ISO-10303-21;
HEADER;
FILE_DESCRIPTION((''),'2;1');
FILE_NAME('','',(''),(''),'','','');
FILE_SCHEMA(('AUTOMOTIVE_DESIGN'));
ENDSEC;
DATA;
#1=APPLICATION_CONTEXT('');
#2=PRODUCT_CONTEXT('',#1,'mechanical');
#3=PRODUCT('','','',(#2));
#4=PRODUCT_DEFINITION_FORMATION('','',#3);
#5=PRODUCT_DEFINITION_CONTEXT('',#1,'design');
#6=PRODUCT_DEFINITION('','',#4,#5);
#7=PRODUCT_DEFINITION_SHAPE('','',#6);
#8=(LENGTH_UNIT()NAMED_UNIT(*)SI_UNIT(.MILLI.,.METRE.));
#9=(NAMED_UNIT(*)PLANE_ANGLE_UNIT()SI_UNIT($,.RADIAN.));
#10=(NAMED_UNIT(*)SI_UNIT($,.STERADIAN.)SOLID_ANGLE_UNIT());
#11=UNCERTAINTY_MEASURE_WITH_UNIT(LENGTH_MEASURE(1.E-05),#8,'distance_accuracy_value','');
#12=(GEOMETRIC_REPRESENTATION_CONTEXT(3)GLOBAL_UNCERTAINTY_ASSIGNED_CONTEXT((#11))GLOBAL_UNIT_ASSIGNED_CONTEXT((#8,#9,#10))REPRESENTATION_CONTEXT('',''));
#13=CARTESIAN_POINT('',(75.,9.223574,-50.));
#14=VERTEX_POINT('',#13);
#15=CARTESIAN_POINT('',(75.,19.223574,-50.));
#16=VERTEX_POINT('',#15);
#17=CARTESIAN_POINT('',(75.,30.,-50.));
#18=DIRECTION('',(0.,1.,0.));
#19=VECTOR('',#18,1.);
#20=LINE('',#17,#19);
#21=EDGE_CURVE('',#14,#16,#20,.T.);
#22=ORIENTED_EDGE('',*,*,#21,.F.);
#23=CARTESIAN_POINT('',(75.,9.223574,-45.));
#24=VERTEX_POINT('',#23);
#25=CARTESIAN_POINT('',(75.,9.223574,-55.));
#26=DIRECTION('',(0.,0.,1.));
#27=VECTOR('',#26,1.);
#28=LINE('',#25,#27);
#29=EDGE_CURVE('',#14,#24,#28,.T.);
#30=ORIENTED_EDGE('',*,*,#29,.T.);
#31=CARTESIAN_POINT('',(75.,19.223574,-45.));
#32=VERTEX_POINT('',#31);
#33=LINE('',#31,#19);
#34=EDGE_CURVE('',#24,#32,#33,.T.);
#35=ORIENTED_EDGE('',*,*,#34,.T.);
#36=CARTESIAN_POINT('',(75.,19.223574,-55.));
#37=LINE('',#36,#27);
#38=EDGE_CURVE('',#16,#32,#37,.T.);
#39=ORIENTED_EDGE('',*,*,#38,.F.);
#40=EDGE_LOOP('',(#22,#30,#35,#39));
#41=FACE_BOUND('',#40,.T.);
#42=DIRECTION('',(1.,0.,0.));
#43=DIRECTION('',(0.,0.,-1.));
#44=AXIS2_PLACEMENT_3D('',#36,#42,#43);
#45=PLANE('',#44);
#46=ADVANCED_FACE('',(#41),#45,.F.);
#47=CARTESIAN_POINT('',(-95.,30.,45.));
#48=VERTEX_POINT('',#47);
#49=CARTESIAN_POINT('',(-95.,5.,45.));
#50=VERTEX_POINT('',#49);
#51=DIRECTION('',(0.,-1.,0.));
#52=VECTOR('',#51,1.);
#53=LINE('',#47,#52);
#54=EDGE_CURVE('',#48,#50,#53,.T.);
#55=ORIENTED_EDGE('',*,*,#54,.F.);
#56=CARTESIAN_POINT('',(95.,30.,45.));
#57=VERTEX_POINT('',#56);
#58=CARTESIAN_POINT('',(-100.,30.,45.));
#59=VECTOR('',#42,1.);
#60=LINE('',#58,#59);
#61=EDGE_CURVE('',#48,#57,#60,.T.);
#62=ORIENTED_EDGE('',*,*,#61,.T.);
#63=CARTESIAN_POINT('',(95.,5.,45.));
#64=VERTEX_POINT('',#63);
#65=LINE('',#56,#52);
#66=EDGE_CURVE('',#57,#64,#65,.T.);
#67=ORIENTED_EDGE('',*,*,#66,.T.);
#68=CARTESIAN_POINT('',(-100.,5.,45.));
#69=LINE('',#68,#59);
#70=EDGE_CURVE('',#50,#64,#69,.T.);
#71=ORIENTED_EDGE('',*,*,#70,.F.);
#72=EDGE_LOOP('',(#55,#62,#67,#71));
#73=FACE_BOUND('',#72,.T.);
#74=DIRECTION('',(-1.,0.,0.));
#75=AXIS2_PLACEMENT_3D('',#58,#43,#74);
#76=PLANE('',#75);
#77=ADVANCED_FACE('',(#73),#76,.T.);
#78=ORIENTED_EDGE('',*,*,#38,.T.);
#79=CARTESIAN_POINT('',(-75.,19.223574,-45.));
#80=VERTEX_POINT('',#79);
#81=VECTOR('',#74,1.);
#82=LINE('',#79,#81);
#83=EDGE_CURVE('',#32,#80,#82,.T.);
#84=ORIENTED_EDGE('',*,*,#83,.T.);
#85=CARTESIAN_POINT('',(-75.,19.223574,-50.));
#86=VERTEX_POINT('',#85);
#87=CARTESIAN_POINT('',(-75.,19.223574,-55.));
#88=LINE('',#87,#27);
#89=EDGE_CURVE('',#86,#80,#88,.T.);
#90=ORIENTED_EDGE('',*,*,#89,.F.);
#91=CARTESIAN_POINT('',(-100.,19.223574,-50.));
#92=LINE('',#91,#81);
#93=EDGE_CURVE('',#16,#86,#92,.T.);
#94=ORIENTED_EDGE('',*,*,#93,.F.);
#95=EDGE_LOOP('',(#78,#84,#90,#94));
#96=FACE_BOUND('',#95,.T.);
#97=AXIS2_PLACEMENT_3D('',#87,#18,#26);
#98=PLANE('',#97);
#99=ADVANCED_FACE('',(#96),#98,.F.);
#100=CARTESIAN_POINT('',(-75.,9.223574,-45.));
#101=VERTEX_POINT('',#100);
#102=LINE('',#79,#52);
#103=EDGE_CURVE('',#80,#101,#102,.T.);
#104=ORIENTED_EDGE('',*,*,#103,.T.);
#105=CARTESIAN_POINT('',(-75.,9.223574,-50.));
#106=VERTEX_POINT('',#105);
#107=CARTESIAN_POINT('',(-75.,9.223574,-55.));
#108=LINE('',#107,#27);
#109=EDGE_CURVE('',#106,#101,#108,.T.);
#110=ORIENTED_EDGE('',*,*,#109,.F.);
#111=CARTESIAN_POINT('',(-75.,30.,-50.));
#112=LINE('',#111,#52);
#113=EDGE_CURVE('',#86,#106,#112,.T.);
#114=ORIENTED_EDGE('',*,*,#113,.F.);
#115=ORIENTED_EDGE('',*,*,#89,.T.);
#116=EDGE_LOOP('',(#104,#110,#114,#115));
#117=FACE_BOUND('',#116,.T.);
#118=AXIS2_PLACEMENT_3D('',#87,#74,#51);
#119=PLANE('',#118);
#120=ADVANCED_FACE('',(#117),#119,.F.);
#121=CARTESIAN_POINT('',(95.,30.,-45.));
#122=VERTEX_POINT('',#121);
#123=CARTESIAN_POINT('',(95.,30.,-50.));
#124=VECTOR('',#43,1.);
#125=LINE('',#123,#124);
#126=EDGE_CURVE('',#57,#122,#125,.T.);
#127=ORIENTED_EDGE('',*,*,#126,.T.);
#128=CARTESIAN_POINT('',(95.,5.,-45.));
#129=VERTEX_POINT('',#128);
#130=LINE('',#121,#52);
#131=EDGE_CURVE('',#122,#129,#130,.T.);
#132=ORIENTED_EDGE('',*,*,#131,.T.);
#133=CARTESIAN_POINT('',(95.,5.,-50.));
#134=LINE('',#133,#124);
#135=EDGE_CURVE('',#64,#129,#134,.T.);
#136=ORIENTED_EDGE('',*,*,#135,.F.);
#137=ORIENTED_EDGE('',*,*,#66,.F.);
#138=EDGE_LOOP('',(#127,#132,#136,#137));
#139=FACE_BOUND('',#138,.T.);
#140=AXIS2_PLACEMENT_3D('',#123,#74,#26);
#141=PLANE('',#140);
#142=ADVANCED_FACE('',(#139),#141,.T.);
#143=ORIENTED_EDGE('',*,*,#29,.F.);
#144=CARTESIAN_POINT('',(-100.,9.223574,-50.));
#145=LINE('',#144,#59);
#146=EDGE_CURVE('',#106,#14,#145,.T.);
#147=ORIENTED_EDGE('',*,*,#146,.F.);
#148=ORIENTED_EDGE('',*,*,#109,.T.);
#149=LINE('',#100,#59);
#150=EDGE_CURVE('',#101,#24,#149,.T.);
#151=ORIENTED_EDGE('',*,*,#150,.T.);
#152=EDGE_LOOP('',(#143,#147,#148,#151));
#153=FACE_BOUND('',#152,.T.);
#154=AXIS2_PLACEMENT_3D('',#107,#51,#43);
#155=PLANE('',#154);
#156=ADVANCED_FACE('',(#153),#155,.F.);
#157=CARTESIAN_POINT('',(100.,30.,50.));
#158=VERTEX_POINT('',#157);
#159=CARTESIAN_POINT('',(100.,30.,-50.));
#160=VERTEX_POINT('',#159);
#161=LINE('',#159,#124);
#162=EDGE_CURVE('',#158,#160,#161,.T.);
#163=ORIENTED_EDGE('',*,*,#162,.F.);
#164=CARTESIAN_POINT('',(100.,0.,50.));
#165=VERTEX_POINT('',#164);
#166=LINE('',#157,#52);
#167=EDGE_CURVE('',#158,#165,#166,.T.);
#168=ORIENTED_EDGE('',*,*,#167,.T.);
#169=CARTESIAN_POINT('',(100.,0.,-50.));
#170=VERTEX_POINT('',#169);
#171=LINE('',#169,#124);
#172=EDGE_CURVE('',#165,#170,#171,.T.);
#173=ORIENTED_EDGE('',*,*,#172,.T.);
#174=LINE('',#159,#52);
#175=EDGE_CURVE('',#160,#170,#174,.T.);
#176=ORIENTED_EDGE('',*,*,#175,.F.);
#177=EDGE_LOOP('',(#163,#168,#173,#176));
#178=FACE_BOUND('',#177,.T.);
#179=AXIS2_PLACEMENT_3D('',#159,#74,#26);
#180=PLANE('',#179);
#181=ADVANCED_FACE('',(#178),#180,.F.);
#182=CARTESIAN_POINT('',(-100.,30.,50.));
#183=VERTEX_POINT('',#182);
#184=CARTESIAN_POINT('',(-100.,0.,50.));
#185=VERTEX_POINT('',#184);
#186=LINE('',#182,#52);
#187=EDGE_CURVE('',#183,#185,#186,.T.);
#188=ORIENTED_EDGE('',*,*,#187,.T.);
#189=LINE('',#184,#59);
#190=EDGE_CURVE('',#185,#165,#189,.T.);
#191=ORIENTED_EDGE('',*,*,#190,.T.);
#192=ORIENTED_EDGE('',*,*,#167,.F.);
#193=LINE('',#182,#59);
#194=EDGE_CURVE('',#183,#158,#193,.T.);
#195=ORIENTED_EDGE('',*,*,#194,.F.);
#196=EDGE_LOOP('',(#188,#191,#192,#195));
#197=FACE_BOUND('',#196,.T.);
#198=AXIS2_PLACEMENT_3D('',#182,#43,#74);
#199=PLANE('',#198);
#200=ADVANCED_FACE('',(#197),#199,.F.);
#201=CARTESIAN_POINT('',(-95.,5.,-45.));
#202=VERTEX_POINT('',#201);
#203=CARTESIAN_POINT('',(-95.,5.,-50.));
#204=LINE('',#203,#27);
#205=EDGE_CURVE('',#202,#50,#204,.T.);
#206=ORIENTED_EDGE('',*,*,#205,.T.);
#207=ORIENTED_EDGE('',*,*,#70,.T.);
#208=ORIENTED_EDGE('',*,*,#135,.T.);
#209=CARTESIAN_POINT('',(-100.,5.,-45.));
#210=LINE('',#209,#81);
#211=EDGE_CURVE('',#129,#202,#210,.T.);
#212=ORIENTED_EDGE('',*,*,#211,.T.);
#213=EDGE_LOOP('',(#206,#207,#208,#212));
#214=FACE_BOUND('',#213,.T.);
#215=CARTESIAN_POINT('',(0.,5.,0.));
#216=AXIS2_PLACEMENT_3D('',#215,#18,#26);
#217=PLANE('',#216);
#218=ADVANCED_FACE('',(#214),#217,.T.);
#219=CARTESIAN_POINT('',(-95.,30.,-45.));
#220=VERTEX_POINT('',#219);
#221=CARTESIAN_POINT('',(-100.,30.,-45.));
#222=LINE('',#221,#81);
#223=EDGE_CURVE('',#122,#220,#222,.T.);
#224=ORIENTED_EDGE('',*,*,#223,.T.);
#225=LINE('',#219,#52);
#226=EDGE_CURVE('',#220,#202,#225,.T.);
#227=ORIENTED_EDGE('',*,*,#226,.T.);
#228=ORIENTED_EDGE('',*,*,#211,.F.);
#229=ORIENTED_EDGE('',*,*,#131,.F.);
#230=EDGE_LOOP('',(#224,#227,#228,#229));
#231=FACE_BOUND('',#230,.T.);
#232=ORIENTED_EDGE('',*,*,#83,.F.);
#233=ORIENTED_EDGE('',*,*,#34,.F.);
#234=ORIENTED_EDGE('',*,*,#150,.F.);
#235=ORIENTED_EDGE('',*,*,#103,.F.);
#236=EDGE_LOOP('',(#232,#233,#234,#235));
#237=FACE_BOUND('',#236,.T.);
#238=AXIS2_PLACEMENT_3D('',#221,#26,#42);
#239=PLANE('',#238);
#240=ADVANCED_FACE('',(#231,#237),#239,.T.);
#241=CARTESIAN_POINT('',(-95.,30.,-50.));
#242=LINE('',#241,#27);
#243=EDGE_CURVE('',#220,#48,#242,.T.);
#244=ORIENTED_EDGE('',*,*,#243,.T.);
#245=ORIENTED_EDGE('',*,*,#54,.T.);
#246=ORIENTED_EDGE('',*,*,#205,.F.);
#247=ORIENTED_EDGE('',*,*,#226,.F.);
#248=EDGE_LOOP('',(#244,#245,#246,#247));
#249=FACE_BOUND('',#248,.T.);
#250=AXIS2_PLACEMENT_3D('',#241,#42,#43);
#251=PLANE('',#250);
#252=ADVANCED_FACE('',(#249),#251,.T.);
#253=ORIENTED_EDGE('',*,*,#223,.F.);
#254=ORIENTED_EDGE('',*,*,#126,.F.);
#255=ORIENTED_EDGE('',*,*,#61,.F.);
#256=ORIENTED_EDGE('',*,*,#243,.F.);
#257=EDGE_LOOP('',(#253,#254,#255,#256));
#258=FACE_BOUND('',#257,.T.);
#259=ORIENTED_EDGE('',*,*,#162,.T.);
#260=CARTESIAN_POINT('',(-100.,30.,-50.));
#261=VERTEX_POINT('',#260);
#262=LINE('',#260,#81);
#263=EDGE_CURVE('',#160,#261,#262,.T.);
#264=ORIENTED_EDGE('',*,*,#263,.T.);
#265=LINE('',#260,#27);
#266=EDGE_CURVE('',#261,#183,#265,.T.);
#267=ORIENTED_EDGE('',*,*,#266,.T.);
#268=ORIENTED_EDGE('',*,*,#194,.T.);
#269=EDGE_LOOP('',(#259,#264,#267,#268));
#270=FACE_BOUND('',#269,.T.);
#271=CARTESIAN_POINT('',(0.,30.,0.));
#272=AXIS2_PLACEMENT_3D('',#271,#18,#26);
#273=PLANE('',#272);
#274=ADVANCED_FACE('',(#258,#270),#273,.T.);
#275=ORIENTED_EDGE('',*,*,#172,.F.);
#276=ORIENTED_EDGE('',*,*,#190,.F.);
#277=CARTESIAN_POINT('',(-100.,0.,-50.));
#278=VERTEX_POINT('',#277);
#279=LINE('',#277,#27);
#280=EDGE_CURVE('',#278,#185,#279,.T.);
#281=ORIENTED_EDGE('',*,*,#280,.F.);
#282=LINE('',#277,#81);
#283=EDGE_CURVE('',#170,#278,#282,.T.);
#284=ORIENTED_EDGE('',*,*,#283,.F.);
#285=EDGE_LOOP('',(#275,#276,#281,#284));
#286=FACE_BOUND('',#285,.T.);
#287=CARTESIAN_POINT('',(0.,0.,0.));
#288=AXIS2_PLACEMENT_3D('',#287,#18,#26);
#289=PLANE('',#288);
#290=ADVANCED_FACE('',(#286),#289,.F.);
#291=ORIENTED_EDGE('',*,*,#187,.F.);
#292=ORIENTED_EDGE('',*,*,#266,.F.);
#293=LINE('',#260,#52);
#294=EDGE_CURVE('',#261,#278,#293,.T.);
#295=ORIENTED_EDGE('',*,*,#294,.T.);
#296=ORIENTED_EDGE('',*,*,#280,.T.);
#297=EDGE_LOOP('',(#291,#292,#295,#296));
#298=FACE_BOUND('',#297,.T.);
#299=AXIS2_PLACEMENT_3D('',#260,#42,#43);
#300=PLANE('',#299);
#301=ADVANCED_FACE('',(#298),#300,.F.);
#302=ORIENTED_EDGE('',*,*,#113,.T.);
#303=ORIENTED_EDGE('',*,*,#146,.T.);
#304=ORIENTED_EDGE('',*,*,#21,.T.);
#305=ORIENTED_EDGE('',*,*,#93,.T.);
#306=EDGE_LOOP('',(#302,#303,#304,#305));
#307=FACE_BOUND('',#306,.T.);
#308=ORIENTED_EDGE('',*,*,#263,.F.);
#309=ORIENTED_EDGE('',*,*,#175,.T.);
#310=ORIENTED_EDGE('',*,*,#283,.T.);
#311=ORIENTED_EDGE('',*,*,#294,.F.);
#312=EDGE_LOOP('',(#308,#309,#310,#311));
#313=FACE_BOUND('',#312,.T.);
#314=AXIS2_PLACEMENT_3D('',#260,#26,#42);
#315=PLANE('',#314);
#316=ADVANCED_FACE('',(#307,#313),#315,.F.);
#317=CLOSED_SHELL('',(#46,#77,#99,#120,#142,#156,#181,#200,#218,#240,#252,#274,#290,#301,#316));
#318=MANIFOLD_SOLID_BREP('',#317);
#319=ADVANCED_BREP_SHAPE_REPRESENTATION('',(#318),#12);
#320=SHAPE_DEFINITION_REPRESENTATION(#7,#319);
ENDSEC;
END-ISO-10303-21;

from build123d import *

# Parameters (mm, degrees)
SKETCH2_W           = 200
SKETCH2_H           = 100
BOSS_EXTRUDE1_DEPTH = 30
SHELL1_T            = -5
SKETCH3_W           = 150
SKETCH3_H           = 10
CUT_EXTRUDE1_DEPTH  = 10


with BuildPart() as part:
    # Sketch2 → Boss-Extrude1 (new body)
    with BuildSketch(Plane(origin=(0, 0, 0), x_dir=(1, 0, 0), z_dir=(0, 1, 0))):
        Rectangle(SKETCH2_W, SKETCH2_H)
    extrude(amount=BOSS_EXTRUDE1_DEPTH)

    # Shell1
    shell1_openings = [part.faces().sort_by_distance(p)[0] for p in [
        (0, 30, 0),
    ]]
    offset(amount=SHELL1_T, openings=shell1_openings, kind=Kind.INTERSECTION)

    # Sketch3 → Cut-Extrude1 (cut)
    with BuildSketch(Plane.XY.offset(-45)):
        with Locations((0, 14.223574028)):
            Rectangle(SKETCH3_W, SKETCH3_H)
    extrude(amount=-CUT_EXTRUDE1_DEPTH, mode=Mode.SUBTRACT)


solid = part.part
